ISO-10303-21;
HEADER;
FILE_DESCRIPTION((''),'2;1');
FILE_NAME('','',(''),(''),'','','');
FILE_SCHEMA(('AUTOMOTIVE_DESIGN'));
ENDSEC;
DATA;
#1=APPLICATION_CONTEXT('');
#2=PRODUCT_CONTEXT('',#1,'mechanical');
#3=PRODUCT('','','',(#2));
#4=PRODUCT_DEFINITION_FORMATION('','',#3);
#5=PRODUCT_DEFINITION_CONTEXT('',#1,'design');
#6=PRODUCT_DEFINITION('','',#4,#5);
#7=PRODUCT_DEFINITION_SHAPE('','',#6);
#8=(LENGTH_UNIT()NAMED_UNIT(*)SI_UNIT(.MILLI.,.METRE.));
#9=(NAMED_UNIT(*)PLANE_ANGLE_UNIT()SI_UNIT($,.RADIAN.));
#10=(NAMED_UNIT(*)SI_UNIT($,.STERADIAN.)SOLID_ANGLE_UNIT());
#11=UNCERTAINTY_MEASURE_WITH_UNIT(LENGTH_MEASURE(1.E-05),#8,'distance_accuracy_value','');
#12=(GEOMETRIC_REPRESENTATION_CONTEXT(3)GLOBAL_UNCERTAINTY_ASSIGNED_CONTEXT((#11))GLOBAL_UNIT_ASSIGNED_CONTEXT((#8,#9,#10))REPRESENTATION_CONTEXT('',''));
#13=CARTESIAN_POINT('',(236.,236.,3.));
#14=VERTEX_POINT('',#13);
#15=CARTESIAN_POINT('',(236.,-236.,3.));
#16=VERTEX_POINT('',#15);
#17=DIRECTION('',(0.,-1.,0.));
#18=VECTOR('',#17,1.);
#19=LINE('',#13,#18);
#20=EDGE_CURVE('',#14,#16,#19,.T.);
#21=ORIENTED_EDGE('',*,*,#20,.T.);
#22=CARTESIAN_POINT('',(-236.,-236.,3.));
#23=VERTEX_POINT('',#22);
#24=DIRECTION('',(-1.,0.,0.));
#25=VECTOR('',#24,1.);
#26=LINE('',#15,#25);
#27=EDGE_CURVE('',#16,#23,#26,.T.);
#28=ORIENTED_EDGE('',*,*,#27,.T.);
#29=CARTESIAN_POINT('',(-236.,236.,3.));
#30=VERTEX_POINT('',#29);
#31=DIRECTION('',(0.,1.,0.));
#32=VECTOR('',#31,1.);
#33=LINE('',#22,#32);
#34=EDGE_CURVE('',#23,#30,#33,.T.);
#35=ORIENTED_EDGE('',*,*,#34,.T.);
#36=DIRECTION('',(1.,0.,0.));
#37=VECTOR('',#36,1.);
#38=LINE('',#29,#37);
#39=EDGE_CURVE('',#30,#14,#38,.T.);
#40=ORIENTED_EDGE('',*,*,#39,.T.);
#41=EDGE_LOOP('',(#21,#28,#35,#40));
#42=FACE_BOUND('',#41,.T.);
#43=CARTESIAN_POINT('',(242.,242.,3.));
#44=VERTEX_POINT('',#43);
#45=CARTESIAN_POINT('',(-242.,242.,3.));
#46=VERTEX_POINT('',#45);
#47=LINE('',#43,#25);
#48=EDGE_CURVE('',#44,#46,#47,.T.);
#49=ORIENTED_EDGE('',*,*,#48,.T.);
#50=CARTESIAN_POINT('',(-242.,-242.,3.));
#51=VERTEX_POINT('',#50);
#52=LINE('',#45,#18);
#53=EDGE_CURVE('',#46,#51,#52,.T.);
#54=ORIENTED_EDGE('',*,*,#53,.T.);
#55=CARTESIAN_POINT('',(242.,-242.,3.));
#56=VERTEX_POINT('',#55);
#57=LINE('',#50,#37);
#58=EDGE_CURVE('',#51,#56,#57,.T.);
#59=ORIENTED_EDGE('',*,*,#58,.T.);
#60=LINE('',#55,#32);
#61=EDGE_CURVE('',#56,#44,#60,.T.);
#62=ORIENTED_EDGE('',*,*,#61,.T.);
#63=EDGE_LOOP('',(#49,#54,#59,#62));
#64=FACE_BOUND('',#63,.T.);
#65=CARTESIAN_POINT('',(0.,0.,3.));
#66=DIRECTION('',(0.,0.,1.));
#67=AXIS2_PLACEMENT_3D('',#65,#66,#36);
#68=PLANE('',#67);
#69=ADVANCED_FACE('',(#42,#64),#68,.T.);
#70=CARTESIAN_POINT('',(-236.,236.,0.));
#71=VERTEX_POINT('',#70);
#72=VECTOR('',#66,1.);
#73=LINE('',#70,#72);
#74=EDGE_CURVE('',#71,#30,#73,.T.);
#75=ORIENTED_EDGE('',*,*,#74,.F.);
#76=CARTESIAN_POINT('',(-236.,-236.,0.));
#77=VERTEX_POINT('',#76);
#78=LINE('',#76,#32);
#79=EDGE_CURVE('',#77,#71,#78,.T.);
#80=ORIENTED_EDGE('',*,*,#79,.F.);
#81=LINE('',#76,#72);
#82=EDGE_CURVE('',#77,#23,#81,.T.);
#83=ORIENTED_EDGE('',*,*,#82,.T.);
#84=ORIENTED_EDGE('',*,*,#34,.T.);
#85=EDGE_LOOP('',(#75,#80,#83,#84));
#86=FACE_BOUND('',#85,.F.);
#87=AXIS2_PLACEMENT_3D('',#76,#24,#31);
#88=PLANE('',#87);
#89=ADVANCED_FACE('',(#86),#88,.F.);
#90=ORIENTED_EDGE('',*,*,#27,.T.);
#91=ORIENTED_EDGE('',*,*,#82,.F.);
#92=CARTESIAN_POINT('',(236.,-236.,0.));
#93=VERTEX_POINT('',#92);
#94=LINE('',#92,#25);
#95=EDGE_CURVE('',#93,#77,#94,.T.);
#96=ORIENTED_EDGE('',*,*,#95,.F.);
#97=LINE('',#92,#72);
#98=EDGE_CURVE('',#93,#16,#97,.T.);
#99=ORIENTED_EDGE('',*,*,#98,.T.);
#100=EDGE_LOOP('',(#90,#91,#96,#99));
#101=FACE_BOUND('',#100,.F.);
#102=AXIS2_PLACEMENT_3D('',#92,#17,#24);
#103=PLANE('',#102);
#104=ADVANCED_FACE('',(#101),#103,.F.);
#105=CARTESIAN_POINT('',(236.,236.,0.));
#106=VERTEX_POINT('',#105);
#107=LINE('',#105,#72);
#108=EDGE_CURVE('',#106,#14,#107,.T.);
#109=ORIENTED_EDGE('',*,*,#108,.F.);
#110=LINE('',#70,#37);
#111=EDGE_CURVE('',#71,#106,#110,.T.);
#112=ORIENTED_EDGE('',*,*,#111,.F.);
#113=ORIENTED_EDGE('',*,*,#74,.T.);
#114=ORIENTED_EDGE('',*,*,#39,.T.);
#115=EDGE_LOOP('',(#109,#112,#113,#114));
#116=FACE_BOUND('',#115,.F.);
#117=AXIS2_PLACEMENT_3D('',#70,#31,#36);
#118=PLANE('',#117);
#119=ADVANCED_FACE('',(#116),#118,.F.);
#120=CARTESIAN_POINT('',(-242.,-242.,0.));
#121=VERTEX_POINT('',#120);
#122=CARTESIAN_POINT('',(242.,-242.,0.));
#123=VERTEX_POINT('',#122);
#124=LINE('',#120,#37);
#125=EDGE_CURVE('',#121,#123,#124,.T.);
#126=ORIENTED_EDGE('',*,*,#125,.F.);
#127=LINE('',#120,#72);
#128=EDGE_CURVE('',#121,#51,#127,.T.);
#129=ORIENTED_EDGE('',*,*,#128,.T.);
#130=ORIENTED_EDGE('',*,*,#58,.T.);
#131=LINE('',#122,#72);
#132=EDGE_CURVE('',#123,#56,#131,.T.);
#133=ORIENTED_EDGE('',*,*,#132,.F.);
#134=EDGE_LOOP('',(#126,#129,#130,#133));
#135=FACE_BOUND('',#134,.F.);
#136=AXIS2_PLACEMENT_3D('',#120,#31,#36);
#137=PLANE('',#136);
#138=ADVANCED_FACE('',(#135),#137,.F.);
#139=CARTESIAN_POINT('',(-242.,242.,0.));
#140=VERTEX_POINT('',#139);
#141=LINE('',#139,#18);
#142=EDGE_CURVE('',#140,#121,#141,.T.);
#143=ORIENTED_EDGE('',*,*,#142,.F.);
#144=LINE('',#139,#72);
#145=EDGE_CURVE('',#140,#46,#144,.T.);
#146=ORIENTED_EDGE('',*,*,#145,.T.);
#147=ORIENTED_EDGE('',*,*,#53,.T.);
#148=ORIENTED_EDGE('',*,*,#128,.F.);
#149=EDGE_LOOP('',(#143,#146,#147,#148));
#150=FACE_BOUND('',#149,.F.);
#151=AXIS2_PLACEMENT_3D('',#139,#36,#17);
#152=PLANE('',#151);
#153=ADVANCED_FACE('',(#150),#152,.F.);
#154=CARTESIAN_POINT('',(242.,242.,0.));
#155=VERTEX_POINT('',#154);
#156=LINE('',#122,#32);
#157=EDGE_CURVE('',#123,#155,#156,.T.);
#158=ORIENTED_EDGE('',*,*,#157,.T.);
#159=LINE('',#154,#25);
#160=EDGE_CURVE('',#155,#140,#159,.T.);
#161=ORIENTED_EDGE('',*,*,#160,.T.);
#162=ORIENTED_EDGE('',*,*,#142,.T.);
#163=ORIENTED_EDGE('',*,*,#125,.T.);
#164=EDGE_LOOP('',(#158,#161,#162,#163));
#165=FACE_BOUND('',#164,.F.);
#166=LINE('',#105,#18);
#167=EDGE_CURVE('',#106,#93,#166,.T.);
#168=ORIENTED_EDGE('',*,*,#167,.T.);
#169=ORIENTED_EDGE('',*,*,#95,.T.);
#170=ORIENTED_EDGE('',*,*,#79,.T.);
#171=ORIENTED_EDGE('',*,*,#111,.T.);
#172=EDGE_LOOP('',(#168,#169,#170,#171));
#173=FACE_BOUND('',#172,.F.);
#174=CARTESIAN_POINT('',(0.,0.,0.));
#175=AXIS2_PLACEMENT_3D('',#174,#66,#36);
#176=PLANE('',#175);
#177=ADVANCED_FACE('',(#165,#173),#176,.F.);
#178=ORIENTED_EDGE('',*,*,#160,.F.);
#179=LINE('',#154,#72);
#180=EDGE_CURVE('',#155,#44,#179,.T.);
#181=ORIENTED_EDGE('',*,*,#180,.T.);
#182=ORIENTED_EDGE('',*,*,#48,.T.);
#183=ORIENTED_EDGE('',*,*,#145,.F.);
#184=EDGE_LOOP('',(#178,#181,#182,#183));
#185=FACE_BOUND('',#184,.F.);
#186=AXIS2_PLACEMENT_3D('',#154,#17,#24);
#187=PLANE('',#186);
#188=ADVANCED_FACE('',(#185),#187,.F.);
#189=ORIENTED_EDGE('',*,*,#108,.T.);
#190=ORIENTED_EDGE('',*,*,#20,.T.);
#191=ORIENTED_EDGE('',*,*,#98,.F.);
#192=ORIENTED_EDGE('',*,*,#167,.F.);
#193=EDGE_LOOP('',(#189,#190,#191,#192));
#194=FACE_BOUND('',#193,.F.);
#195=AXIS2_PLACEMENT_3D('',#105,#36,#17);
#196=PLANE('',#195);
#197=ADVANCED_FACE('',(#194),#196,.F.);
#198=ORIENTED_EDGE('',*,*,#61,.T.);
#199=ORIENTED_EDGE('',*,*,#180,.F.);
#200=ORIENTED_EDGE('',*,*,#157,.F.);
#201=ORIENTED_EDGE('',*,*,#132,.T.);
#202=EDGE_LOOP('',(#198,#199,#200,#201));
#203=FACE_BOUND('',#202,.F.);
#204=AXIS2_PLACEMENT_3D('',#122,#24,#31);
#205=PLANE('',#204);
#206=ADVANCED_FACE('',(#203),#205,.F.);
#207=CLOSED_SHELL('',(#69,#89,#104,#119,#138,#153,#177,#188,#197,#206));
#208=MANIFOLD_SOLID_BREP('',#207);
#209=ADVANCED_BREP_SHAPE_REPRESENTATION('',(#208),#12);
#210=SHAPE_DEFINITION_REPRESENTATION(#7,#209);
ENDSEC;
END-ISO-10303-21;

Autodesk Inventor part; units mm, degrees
ref_plane "YZ Plane" through (0, 0, 0) normal (1, 0, 0) x (0, 1, 0)
ref_plane "XZ Plane" through (0, 0, 0) normal (0, 1, 0) x (-1, 0, 0)
ref_plane "XY Plane" through (0, 0, 0) normal (0, 0, 1) x (1, 0, 0)
sketch "Skizze1" plane through (0, 0, 0) normal (0, 0, 1) x (1, 0, 0)
  line L0 (-242, -242) -> (242, -242)
  line L1 (242, -242) -> (242, 242)
  line L2 (242, 242) -> (-242, 242)
  line L3 (-242, 242) -> (-242, -242)
  line L4 (-242, -242) -> (242, 242) construction
  line L5 (242, -242) -> (-242, 242) construction
  line L6 (-236, 236) -> (236, 236)
  line L7 (236, 236) -> (236, -236)
  line L8 (236, -236) -> (-236, -236)
  line L9 (-236, -236) -> (-236, 236)
  point P0 (0, 0)
  dimension "d0" = 484
  dimension "d1" = 484
  dimension "d2" = 6
extrude "Extrusion1" add sketch "Skizze1" along normal blind 3
properties part number "Foamtape Top" material "Gummi, Silikon"
